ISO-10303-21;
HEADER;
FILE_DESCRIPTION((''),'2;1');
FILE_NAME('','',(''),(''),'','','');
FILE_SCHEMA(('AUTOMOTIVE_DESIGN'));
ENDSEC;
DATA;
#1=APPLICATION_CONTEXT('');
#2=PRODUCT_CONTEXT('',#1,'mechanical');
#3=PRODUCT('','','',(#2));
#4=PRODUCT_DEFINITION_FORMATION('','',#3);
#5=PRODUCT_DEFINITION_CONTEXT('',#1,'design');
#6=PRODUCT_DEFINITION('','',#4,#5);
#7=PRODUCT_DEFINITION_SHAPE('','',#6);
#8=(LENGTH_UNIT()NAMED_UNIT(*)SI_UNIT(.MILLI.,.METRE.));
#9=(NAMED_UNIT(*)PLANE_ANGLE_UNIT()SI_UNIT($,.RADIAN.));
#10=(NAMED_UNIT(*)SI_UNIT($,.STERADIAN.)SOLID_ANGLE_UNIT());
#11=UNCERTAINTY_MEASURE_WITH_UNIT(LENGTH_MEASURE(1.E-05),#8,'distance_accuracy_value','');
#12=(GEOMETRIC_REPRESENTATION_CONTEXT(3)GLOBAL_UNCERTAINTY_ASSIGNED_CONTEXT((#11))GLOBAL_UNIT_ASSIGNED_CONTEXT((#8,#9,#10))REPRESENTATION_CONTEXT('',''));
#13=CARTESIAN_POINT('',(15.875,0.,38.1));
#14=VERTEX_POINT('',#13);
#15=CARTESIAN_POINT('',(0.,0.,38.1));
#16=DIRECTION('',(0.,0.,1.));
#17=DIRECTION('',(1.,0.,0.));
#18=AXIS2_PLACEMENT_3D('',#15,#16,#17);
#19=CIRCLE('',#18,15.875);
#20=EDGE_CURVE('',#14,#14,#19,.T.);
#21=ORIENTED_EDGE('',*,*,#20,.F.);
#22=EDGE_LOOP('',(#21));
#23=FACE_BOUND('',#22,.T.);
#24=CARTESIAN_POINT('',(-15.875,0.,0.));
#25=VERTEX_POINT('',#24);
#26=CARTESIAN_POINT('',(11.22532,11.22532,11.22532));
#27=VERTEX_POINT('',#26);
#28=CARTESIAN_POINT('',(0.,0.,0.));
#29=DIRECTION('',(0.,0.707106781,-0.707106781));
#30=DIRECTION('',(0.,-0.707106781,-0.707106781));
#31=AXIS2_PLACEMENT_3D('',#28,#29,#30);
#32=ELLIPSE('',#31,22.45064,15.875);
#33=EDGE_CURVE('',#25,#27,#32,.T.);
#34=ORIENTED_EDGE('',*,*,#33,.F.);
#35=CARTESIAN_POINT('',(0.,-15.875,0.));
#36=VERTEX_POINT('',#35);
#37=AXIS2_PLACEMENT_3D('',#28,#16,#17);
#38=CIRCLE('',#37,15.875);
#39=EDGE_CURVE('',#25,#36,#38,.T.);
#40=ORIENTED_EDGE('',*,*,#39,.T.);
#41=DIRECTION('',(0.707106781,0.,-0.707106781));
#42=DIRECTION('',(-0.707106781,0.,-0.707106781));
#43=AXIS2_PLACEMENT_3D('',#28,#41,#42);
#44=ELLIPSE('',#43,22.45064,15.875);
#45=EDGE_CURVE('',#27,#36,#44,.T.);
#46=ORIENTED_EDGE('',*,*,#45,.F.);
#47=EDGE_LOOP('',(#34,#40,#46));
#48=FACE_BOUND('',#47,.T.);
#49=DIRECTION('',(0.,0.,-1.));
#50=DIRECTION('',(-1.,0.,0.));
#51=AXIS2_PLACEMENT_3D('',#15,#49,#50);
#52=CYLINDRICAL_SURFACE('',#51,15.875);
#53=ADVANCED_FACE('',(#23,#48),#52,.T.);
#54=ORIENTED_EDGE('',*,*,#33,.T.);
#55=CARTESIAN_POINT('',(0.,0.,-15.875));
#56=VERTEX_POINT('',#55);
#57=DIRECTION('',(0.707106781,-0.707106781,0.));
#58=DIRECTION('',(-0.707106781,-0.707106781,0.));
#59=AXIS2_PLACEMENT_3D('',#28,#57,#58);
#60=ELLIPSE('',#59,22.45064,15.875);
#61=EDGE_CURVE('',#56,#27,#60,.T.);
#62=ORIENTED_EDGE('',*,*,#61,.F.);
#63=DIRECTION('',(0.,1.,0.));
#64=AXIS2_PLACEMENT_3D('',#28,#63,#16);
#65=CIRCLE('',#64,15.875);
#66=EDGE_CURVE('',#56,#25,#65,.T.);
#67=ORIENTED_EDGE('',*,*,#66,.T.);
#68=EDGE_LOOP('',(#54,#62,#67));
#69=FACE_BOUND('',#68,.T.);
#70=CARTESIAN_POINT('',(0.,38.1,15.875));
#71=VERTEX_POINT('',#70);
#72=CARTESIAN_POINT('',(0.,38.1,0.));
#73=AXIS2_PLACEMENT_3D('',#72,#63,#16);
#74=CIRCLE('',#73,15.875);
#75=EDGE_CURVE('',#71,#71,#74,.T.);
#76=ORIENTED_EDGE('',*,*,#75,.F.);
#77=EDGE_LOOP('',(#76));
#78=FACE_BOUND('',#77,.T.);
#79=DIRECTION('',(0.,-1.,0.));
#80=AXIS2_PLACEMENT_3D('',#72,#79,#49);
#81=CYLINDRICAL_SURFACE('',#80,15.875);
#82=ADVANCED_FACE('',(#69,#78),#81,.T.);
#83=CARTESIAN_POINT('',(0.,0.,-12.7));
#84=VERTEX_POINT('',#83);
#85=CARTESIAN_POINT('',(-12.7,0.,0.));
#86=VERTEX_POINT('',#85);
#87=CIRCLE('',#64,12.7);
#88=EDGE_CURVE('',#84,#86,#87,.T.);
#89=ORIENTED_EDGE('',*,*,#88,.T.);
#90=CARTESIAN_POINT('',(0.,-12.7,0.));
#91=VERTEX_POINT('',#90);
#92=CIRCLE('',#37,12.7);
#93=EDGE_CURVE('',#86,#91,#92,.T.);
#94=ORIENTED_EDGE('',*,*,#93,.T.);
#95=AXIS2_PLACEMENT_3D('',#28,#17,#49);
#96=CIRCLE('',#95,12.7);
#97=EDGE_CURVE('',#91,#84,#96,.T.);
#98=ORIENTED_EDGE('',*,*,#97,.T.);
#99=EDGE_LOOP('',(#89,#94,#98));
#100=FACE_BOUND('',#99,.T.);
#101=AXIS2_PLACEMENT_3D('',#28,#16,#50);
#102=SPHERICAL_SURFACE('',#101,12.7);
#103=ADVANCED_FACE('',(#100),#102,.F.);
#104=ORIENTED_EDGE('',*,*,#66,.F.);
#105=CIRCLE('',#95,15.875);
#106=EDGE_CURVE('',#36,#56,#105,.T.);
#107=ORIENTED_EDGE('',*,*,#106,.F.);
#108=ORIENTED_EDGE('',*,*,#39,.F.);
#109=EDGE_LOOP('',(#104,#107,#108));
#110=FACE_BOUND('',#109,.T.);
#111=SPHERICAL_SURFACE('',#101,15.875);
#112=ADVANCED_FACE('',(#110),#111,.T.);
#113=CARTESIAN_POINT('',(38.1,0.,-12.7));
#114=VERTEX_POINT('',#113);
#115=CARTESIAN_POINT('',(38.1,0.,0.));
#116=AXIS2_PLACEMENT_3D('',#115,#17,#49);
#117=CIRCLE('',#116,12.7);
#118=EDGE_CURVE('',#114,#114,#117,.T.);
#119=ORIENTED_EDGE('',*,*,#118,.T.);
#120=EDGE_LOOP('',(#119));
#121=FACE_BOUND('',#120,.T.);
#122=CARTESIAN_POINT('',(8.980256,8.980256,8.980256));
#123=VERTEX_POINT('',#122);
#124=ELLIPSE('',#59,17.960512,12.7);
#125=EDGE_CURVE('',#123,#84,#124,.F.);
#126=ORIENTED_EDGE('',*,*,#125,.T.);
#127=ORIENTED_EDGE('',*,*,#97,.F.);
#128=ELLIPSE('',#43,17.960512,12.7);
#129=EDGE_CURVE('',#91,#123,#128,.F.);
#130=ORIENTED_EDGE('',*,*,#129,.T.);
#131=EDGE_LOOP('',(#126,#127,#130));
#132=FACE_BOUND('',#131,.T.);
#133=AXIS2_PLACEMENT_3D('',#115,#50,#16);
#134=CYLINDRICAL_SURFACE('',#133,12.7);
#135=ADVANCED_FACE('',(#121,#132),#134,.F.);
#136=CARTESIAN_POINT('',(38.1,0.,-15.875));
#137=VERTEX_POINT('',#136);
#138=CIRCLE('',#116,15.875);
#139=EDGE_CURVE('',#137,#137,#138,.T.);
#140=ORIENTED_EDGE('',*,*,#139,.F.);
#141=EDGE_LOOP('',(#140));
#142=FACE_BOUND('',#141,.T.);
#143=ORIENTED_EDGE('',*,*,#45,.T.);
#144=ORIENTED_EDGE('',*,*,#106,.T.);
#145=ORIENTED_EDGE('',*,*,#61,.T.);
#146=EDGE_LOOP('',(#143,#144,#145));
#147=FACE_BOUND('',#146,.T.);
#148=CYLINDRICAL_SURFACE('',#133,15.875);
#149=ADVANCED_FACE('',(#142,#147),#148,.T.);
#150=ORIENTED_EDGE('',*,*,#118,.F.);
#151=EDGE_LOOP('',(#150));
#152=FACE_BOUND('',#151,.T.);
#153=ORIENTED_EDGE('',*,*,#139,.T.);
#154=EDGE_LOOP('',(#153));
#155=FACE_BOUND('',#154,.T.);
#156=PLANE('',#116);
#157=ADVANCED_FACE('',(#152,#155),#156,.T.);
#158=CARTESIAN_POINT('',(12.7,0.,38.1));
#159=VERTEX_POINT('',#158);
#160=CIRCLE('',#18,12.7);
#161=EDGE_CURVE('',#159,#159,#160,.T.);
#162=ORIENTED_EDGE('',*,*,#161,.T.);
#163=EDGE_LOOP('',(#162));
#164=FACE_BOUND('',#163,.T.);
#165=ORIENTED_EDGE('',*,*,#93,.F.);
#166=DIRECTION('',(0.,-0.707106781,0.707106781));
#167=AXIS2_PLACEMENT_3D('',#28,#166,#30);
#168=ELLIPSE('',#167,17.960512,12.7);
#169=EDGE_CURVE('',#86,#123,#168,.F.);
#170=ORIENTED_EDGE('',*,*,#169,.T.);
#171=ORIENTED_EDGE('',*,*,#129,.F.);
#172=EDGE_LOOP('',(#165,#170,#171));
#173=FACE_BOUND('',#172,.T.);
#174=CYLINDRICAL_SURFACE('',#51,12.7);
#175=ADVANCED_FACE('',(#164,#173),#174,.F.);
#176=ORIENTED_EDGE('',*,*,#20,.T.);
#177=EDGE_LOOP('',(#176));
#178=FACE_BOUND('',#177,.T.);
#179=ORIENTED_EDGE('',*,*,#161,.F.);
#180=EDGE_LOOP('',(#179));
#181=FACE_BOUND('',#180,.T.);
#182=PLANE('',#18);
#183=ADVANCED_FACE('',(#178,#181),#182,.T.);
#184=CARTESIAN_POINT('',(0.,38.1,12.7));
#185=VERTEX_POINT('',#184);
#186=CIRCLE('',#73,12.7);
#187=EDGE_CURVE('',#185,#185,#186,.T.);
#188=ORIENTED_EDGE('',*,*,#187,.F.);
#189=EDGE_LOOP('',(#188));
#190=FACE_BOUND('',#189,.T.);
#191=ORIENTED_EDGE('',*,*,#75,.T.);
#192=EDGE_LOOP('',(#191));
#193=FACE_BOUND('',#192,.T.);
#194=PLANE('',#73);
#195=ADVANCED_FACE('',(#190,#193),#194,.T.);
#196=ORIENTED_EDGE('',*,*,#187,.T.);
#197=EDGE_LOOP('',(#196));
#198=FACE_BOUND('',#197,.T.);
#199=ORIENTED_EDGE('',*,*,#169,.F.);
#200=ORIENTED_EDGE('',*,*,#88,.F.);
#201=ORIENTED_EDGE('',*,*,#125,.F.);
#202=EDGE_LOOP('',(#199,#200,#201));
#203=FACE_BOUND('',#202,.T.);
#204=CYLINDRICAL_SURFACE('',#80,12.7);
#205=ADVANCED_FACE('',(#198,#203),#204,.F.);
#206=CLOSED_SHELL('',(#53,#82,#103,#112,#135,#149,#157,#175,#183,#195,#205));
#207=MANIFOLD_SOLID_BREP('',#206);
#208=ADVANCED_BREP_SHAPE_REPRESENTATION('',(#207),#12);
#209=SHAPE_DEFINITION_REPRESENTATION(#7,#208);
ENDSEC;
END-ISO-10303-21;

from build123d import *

# Parameters (mm, degrees)
SKETCH1_R           = 15.875
SKETCH1_R_2         = 12.7
BOSS_EXTRUDE1_DEPTH = 38.1
BOSS_EXTRUDE2_DEPTH = 38.1
SKETCH3_R           = 15.875
SKETCH3_R_2         = 12.7
BOSS_EXTRUDE3_DEPTH = 38.1
REVOLVE1_ANGLE      = 90
SKETCH5_R           = 12.7
CUT_EXTRUDE1_DEPTH  = 38.1
SKETCH6_R           = 12.7
CUT_EXTRUDE2_DEPTH  = 38.1
CUT_EXTRUDE3_START  = -38.1
SKETCH7_R           = 12.7
CUT_EXTRUDE3_DEPTH  = 15.875


with BuildPart() as part:
    # Sketch1 → Boss-Extrude1 (new body)
    with BuildSketch(Plane.XY):
        Circle(SKETCH1_R)
        Circle(SKETCH1_R_2, mode=Mode.SUBTRACT)
    extrude(amount=BOSS_EXTRUDE1_DEPTH)

    # Sketch2 → Boss-Extrude2 (add)
    with BuildSketch(Plane(origin=(0, 0, 0), x_dir=(1, 0, 0), z_dir=(0, 1, 0))):
        with BuildLine():
            ThreePointArc((-15.875, 0), (0, -15.875), (15.875, 0))
            Line((15.875, 0), (12.7, 0))
            ThreePointArc((12.7, 0), (0, -12.7), (-12.7, 0))
            Line((-12.7, 0), (-15.875, 0))
        make_face()
        with BuildLine():
            Line((12.7, 0), (15.875, 0))
            ThreePointArc((15.875, 0), (0, 15.875), (-15.875, 0))
            Line((-15.875, 0), (-12.7, 0))
            ThreePointArc((-12.7, 0), (0, 12.7), (12.7, 0))
        make_face()
        with BuildLine():
            ThreePointArc((-15.875, 0), (0, -15.875), (15.875, 0))
            Line((15.875, 0), (12.7, 0))
            ThreePointArc((12.7, 0), (0, -12.7), (-12.7, 0))
            Line((-12.7, 0), (-15.875, 0))
        make_face()
        with BuildLine():
            Line((12.7, 0), (15.875, 0))
            ThreePointArc((15.875, 0), (0, 15.875), (-15.875, 0))
            Line((-15.875, 0), (-12.7, 0))
            ThreePointArc((-12.7, 0), (0, 12.7), (12.7, 0))
        make_face()
    extrude(amount=BOSS_EXTRUDE2_DEPTH)

    # Sketch3 → Boss-Extrude3 (add)
    with BuildSketch(Plane(origin=(0, 0, 0), x_dir=(0, 0, -1), z_dir=(1, 0, 0))):
        Circle(SKETCH3_R)
        Circle(SKETCH3_R_2, mode=Mode.SUBTRACT)
    extrude(amount=BOSS_EXTRUDE3_DEPTH)

    # Sketch4 → Revolve1 (revolve)
    with BuildSketch(Plane.ZY):
        with BuildLine():
            ThreePointArc((-15.875, 0), (-11.225320151, -11.225320151), (0, -15.875))
            Line((0, -15.875), (0, -12.7))
            ThreePointArc((0, -12.7), (-8.980256121, -8.980256121), (-12.7, 0))
            Line((-12.7, 0), (-15.875, 0))
        make_face()
    revolve(axis=Axis((0, 0, -12.7), (0, 0, -1)), revolution_arc=REVOLVE1_ANGLE)

    # Sketch5 → Cut-Extrude1 (cut)
    with BuildSketch(Plane(origin=(0, 38.1, 0), x_dir=(1, 0, 0), z_dir=(0, 1, 0))):
        Circle(SKETCH5_R)
    extrude(amount=-CUT_EXTRUDE1_DEPTH, mode=Mode.SUBTRACT)

    # Sketch6 → Cut-Extrude2 (cut)
    with BuildSketch(Plane.XY.offset(38.1)):
        Circle(SKETCH6_R)
    extrude(amount=-CUT_EXTRUDE2_DEPTH, mode=Mode.SUBTRACT)

    # Sketch7 → Cut-Extrude3 (cut)
    with BuildSketch(Plane(origin=(38.1, 0, 0), x_dir=(0, 0, -1), z_dir=(1, 0, 0)).offset(CUT_EXTRUDE3_START)):
        Circle(SKETCH7_R)
    extrude(amount=CUT_EXTRUDE3_DEPTH, mode=Mode.SUBTRACT)


solid = part.part
